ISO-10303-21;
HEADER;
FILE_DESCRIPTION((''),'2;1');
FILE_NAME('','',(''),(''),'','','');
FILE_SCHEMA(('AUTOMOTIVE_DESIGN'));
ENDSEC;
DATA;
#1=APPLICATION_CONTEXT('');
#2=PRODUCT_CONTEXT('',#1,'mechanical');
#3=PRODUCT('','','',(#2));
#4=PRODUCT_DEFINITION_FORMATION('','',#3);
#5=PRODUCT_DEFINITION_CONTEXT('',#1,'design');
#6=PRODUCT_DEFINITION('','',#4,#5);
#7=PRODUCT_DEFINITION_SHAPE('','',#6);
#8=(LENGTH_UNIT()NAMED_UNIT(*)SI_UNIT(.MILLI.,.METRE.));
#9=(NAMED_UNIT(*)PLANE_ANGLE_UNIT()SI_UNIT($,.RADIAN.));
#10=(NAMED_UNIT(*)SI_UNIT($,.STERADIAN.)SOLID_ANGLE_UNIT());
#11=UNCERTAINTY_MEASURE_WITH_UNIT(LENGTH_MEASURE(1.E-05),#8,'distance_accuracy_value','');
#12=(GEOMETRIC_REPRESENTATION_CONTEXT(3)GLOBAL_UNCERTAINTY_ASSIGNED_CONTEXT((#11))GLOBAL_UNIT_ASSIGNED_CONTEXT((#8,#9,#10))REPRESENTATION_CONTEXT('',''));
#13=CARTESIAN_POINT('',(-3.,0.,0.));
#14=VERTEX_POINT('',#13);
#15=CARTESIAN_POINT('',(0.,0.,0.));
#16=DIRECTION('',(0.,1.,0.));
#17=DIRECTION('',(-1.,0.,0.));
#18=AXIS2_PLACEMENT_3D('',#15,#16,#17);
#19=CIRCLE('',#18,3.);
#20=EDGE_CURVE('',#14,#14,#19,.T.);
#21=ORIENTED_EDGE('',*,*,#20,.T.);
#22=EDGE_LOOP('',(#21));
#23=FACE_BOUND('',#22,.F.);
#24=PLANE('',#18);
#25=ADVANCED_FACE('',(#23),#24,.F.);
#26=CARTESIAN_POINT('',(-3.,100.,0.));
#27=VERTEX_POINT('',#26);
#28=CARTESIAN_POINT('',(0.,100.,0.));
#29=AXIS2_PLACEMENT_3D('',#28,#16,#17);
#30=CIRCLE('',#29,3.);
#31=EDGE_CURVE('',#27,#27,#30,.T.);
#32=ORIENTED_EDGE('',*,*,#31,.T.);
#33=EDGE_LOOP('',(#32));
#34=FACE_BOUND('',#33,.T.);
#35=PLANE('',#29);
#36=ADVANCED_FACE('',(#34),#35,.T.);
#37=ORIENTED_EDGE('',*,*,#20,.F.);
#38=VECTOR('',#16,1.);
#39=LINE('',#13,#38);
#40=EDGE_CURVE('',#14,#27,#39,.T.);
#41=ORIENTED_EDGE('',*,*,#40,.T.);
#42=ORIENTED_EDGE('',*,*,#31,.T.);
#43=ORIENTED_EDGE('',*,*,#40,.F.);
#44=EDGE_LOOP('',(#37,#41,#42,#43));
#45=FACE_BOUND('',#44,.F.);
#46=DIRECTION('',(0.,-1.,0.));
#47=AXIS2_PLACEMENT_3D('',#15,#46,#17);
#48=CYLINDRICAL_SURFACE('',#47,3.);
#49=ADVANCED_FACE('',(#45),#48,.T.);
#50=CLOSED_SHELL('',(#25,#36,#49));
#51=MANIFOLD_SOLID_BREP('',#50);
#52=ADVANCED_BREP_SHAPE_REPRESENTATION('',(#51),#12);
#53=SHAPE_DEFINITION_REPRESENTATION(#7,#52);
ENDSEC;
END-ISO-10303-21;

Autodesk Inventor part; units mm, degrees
ref_plane "YZ Plane" through (0, 0, 0) normal (1, 0, 0) x (0, 1, 0)
ref_plane "XZ Plane" through (0, 0, 0) normal (0, 1, 0) x (-1, 0, 0)
ref_plane "XY Plane" through (0, 0, 0) normal (0, 0, 1) x (1, 0, 0)
sketch "Sketch1" plane through (0, 0, 0) normal (0, 1, 0) x (-1, 0, 0)
  circle A0 centre (0, 0) radius 3
  dimension "d2" = 6
extrude "Extrusion1" add sketch "Sketch1" along normal blind 100
equation "\"d2\" = srednica"
equation "\"d0\" = dlugosc"
equation "\"srednica\" = 6"
equation "\"dlugosc\" = 100"
equation "\"BendRadius\" = Thickness"
equation "\"BendReliefWidth\" = Thickness"
equation "\"BendReliefDepth\" = 0.5 * Thickness"
equation "\"CornerReliefSize\" = 4 * Thickness"
equation "\"MinimumRemnant\" = 2 * Thickness"
equation "\"TransitionRadius\" = BendRadius"
equation "\"JacobiRadiusSize\" = Thickness"
equation "\"GapSize\" = Thickness"
equation "\"Thickness\" = 0.5"
properties part number "ogolny_walek-01"
